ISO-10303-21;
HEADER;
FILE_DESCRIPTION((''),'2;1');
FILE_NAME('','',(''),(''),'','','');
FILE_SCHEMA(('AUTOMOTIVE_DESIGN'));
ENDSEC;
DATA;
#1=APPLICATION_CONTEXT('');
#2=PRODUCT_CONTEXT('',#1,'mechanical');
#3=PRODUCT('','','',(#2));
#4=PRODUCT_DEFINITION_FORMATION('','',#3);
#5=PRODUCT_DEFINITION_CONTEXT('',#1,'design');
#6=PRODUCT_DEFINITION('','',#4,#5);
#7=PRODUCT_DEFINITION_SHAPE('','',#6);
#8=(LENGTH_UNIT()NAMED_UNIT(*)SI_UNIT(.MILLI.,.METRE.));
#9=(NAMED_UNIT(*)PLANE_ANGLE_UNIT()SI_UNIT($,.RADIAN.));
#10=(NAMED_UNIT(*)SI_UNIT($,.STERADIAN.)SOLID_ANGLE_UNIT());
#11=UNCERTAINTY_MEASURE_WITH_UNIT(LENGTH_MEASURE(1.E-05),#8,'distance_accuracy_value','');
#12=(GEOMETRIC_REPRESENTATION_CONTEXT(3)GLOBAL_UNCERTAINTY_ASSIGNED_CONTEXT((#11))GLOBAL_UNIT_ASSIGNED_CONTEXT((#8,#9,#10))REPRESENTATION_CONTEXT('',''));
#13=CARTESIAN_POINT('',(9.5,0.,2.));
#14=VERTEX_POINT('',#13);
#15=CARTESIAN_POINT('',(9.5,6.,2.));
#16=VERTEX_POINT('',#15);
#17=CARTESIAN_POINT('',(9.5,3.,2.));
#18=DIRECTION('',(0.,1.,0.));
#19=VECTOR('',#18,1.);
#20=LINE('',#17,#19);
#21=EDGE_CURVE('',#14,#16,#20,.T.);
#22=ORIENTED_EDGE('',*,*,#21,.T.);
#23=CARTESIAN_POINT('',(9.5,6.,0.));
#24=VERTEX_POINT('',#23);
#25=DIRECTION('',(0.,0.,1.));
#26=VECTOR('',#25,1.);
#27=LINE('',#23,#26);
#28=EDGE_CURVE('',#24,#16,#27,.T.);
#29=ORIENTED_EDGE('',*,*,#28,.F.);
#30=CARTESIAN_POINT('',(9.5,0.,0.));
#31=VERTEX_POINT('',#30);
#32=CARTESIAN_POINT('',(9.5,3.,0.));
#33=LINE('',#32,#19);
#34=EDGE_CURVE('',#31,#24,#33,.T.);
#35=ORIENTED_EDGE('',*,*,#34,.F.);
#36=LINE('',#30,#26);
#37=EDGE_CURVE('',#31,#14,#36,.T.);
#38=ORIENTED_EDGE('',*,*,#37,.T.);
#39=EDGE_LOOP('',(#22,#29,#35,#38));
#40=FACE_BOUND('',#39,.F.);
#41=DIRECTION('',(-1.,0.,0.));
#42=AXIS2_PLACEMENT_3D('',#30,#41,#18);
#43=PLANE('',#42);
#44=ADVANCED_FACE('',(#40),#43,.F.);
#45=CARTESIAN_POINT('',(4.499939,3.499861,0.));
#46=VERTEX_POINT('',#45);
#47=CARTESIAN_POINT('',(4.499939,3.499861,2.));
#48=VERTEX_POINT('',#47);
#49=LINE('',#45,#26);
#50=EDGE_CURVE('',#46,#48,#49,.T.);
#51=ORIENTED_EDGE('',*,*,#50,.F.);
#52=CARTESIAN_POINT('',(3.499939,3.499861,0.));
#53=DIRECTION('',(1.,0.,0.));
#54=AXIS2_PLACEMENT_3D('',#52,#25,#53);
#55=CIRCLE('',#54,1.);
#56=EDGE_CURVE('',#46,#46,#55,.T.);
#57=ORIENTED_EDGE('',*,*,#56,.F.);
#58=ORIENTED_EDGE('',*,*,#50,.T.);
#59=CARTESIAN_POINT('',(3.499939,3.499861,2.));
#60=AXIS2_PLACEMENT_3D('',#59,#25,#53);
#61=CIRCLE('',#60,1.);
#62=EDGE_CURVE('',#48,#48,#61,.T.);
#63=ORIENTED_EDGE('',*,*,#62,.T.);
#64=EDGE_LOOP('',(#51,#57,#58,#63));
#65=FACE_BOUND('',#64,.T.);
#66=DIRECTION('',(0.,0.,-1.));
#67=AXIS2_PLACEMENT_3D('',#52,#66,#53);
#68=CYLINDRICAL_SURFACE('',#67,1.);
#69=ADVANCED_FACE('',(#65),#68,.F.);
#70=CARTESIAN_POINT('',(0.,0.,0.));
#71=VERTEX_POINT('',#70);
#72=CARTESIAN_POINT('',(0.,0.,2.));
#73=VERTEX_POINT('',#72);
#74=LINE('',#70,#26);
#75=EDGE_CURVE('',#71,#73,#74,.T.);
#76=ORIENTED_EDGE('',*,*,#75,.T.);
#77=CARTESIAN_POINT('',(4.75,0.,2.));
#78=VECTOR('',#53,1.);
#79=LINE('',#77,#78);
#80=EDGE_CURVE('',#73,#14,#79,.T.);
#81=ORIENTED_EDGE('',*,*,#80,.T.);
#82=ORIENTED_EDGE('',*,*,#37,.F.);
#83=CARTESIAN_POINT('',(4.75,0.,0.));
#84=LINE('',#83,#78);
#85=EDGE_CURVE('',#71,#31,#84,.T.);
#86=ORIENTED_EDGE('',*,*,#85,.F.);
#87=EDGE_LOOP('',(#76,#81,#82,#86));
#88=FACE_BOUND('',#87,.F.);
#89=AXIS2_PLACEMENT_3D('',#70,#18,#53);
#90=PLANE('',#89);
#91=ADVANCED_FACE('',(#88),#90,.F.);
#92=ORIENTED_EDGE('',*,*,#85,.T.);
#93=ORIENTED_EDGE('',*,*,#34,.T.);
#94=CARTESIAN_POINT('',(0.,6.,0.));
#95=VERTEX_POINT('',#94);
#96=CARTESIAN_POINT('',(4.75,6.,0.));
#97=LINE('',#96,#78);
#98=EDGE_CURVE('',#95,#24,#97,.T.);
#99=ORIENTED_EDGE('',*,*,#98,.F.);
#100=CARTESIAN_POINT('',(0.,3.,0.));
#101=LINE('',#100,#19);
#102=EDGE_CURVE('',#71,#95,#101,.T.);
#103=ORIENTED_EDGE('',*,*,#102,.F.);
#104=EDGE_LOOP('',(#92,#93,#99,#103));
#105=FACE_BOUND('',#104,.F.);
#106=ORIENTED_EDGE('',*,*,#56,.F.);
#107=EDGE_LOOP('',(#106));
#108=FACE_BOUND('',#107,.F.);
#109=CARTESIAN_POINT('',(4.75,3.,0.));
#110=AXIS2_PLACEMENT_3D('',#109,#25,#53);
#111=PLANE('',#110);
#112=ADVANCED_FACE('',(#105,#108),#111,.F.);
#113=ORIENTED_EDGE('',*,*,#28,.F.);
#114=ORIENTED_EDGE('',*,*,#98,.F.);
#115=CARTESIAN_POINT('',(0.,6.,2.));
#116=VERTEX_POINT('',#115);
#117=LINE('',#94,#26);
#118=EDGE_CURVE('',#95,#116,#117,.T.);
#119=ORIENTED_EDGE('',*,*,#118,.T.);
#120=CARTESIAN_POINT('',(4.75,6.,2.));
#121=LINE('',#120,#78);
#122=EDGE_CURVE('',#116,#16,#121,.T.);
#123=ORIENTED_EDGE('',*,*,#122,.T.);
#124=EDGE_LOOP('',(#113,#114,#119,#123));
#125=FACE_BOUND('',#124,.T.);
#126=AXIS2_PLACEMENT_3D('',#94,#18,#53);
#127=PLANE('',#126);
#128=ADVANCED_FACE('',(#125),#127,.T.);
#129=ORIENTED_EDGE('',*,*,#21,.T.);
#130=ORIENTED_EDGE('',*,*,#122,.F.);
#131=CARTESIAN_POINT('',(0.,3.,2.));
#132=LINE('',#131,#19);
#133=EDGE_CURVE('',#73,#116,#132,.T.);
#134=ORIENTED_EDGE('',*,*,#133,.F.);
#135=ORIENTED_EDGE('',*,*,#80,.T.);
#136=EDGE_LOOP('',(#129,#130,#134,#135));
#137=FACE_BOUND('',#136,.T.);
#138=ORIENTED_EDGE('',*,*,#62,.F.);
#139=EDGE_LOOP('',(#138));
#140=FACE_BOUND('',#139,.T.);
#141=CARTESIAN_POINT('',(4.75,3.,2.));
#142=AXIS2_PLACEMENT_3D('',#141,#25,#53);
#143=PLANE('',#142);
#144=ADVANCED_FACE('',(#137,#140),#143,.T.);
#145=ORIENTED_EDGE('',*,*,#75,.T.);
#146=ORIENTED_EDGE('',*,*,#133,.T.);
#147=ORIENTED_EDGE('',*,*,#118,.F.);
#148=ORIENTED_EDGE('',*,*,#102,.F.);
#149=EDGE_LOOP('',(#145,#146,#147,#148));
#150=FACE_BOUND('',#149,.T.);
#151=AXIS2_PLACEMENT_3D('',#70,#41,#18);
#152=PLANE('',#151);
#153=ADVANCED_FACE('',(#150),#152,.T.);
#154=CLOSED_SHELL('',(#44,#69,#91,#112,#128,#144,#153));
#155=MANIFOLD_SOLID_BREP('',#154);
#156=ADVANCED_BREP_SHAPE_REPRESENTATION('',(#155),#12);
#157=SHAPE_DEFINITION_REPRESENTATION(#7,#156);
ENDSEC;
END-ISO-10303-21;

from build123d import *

# Parameters (mm, degrees)
SKETCH_W  = 9.5
SKETCH_H  = 6
SKETCH_R  = 1
PAD_DEPTH = 2


with BuildPart() as part:
    # Sketch → Pad (new body)
    with BuildSketch(Plane.XY):
        with Locations((4.75, 3)):
            Rectangle(SKETCH_W, SKETCH_H)
        with Locations((3.499939, 3.499861)):
            Circle(SKETCH_R, mode=Mode.SUBTRACT)
    extrude(amount=PAD_DEPTH)


solid = part.part
